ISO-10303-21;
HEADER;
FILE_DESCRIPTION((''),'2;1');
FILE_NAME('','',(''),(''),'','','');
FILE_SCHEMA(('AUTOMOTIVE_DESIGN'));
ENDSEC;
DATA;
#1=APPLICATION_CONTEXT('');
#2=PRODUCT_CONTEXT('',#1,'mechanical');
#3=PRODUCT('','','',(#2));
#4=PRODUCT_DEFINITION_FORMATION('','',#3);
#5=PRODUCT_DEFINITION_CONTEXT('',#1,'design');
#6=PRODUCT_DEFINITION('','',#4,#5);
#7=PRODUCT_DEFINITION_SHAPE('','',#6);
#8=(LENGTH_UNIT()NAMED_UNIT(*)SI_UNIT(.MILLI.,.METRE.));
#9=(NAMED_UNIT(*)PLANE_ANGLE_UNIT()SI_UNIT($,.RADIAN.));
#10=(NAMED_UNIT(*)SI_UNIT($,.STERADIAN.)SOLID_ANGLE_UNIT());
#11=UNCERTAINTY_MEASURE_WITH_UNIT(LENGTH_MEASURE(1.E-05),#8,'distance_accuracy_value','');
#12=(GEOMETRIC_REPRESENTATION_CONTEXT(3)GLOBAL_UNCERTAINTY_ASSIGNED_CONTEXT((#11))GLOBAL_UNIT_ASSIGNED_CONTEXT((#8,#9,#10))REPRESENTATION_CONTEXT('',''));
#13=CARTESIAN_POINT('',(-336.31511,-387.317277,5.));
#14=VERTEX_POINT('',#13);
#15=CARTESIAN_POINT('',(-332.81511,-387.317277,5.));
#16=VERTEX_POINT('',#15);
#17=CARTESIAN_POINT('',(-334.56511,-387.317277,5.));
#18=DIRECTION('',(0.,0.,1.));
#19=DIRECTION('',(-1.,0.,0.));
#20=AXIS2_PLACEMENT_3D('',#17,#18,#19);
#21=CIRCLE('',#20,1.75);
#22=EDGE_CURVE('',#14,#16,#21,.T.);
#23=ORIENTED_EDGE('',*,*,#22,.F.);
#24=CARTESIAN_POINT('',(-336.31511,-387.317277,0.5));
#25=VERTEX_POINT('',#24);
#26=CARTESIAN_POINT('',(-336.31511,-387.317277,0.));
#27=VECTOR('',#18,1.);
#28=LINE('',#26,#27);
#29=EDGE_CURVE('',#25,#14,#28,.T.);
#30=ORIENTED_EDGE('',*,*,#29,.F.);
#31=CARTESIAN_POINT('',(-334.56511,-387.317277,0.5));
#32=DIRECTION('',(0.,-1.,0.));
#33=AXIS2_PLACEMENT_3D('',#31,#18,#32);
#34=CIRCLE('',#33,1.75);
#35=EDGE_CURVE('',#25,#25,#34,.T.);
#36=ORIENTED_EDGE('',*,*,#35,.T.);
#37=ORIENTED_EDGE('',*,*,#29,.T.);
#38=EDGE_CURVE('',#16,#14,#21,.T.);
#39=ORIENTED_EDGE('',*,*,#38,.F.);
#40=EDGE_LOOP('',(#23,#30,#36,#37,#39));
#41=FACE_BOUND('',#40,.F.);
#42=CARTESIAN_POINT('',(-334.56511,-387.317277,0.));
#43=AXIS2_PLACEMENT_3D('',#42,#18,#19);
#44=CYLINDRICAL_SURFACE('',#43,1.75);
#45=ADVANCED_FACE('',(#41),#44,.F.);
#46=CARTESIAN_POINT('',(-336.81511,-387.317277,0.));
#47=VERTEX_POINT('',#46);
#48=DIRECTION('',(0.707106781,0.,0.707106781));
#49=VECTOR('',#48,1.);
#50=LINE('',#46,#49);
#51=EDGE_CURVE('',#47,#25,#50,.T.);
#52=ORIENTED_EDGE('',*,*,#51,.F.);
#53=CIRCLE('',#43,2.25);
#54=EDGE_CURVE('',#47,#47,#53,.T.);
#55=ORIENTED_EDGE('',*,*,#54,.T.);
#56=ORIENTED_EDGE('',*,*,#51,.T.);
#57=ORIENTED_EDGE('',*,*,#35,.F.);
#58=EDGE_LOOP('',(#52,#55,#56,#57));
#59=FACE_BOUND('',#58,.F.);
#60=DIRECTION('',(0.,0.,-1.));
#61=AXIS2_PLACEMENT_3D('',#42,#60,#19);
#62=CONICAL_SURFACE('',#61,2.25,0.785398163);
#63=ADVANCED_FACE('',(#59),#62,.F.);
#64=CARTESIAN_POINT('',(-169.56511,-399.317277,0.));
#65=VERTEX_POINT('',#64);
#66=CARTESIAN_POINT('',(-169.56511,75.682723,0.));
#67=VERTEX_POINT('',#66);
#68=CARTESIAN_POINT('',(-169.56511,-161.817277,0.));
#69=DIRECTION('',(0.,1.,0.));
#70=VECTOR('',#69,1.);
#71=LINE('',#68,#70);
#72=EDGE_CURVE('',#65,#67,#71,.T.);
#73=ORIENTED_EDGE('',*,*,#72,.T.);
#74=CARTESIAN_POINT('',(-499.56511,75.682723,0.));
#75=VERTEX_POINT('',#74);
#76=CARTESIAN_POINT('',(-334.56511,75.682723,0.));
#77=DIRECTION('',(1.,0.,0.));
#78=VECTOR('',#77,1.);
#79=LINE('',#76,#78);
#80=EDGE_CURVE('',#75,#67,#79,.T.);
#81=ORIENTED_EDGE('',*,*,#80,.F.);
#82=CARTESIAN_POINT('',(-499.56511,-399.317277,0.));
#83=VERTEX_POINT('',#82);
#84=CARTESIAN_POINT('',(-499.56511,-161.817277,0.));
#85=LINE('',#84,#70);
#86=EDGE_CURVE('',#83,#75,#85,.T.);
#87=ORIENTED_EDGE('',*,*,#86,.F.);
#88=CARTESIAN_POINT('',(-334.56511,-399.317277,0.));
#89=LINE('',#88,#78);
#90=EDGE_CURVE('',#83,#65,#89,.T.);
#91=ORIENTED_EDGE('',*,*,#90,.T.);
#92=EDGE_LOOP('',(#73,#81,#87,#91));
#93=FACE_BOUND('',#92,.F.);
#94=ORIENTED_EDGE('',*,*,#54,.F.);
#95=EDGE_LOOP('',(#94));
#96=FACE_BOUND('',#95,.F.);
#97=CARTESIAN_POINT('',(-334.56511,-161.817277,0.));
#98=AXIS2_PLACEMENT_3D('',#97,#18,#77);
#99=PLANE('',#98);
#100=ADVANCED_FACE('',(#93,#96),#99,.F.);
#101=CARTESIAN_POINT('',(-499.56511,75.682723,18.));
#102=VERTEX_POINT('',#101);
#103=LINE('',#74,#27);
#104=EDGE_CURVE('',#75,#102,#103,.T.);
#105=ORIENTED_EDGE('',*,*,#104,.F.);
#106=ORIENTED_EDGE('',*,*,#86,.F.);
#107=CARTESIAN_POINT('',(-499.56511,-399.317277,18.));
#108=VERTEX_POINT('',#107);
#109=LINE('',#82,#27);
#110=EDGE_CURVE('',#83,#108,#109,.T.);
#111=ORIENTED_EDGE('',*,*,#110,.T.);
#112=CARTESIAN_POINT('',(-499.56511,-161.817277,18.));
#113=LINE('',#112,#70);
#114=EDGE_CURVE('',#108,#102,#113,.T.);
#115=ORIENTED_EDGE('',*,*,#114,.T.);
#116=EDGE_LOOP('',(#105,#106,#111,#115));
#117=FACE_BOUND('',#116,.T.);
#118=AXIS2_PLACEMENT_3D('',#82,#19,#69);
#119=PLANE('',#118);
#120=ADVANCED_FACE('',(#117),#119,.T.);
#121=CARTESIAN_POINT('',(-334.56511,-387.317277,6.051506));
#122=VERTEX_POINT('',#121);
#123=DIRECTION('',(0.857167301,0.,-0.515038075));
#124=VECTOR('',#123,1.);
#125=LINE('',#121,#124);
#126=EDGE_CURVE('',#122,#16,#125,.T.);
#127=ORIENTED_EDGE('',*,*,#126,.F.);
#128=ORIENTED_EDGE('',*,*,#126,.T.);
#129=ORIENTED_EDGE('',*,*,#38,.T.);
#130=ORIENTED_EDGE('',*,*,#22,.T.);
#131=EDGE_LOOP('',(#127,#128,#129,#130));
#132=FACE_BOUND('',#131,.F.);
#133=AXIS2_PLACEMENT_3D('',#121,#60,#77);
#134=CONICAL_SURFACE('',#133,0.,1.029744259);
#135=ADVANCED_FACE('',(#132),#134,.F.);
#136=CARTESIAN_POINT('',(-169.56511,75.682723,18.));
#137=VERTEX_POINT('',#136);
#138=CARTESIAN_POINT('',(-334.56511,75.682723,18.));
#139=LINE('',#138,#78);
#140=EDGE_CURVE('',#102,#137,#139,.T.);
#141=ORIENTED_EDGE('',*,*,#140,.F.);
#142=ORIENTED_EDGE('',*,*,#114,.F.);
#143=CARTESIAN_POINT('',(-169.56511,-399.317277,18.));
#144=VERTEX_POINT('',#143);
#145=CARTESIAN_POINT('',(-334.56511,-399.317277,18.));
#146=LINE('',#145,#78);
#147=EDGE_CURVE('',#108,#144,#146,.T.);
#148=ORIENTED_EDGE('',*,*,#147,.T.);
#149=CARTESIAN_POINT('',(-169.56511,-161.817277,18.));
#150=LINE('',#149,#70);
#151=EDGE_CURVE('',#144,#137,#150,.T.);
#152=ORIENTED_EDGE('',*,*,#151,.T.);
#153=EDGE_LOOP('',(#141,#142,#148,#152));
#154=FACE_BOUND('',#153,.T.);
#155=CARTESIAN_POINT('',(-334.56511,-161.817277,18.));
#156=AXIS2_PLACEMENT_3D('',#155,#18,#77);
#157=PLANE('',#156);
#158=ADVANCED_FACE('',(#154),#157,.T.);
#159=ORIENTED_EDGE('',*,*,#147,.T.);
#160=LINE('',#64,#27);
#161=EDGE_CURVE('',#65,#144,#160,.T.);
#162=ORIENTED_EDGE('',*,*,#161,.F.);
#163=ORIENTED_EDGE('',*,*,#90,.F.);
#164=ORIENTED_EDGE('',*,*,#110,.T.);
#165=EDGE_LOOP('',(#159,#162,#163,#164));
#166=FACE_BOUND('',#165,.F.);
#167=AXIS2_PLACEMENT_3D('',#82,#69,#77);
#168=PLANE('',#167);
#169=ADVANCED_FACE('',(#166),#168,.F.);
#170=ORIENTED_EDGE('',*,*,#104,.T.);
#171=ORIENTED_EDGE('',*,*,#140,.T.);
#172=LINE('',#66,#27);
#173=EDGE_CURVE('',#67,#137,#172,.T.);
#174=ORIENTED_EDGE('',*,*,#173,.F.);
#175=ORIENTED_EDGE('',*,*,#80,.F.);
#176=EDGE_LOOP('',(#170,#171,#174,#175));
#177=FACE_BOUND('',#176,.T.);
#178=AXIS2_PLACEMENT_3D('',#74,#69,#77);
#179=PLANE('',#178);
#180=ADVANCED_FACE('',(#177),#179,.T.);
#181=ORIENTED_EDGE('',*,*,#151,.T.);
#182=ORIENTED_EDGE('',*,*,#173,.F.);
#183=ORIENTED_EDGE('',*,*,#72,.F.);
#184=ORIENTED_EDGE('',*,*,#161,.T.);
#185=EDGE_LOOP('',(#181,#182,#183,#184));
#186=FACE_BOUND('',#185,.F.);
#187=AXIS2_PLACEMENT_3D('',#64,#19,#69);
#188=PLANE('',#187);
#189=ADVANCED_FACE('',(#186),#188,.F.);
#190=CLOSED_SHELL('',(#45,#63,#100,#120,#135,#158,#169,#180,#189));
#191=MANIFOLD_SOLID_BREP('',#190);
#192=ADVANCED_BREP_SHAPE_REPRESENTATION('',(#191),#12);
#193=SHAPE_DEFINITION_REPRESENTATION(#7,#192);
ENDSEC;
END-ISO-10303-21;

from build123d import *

# Parameters (mm, degrees)
F0_W           = 330
F0_H           = 475
F1_DEPTH       = 18
F3_D           = 3.5
F3_DEPTH       = 5
F3_CSINK_D     = 4.5
F3_CSINK_ANGLE = 90
F3_TIP         = 1.0515060833


with BuildPart() as f1:
    # F0 (on Top) → F1 (new body)
    with BuildSketch(Plane.XY):
        with Locations((-334.5651096106, -161.8172768305)):
            Rectangle(F0_W, F0_H)
    extrude(amount=F1_DEPTH)

    # F3
    with Locations(Plane(origin=(0, 0, 0), x_dir=(1, 0, 0), z_dir=(0, 0, -1))):
        with Locations((-334.5651096106, 387.3172768305), (-334.5651096106, 387.3172768305)):
            CounterSinkHole(F3_D / 2, F3_CSINK_D / 2, depth=F3_DEPTH, counter_sink_angle=F3_CSINK_ANGLE)
            with Locations((0, 0, -(F3_DEPTH + F3_TIP / 2))):  # 118° drill point
                Cone(0, F3_D / 2, F3_TIP, mode=Mode.SUBTRACT)


solid = f1.part
